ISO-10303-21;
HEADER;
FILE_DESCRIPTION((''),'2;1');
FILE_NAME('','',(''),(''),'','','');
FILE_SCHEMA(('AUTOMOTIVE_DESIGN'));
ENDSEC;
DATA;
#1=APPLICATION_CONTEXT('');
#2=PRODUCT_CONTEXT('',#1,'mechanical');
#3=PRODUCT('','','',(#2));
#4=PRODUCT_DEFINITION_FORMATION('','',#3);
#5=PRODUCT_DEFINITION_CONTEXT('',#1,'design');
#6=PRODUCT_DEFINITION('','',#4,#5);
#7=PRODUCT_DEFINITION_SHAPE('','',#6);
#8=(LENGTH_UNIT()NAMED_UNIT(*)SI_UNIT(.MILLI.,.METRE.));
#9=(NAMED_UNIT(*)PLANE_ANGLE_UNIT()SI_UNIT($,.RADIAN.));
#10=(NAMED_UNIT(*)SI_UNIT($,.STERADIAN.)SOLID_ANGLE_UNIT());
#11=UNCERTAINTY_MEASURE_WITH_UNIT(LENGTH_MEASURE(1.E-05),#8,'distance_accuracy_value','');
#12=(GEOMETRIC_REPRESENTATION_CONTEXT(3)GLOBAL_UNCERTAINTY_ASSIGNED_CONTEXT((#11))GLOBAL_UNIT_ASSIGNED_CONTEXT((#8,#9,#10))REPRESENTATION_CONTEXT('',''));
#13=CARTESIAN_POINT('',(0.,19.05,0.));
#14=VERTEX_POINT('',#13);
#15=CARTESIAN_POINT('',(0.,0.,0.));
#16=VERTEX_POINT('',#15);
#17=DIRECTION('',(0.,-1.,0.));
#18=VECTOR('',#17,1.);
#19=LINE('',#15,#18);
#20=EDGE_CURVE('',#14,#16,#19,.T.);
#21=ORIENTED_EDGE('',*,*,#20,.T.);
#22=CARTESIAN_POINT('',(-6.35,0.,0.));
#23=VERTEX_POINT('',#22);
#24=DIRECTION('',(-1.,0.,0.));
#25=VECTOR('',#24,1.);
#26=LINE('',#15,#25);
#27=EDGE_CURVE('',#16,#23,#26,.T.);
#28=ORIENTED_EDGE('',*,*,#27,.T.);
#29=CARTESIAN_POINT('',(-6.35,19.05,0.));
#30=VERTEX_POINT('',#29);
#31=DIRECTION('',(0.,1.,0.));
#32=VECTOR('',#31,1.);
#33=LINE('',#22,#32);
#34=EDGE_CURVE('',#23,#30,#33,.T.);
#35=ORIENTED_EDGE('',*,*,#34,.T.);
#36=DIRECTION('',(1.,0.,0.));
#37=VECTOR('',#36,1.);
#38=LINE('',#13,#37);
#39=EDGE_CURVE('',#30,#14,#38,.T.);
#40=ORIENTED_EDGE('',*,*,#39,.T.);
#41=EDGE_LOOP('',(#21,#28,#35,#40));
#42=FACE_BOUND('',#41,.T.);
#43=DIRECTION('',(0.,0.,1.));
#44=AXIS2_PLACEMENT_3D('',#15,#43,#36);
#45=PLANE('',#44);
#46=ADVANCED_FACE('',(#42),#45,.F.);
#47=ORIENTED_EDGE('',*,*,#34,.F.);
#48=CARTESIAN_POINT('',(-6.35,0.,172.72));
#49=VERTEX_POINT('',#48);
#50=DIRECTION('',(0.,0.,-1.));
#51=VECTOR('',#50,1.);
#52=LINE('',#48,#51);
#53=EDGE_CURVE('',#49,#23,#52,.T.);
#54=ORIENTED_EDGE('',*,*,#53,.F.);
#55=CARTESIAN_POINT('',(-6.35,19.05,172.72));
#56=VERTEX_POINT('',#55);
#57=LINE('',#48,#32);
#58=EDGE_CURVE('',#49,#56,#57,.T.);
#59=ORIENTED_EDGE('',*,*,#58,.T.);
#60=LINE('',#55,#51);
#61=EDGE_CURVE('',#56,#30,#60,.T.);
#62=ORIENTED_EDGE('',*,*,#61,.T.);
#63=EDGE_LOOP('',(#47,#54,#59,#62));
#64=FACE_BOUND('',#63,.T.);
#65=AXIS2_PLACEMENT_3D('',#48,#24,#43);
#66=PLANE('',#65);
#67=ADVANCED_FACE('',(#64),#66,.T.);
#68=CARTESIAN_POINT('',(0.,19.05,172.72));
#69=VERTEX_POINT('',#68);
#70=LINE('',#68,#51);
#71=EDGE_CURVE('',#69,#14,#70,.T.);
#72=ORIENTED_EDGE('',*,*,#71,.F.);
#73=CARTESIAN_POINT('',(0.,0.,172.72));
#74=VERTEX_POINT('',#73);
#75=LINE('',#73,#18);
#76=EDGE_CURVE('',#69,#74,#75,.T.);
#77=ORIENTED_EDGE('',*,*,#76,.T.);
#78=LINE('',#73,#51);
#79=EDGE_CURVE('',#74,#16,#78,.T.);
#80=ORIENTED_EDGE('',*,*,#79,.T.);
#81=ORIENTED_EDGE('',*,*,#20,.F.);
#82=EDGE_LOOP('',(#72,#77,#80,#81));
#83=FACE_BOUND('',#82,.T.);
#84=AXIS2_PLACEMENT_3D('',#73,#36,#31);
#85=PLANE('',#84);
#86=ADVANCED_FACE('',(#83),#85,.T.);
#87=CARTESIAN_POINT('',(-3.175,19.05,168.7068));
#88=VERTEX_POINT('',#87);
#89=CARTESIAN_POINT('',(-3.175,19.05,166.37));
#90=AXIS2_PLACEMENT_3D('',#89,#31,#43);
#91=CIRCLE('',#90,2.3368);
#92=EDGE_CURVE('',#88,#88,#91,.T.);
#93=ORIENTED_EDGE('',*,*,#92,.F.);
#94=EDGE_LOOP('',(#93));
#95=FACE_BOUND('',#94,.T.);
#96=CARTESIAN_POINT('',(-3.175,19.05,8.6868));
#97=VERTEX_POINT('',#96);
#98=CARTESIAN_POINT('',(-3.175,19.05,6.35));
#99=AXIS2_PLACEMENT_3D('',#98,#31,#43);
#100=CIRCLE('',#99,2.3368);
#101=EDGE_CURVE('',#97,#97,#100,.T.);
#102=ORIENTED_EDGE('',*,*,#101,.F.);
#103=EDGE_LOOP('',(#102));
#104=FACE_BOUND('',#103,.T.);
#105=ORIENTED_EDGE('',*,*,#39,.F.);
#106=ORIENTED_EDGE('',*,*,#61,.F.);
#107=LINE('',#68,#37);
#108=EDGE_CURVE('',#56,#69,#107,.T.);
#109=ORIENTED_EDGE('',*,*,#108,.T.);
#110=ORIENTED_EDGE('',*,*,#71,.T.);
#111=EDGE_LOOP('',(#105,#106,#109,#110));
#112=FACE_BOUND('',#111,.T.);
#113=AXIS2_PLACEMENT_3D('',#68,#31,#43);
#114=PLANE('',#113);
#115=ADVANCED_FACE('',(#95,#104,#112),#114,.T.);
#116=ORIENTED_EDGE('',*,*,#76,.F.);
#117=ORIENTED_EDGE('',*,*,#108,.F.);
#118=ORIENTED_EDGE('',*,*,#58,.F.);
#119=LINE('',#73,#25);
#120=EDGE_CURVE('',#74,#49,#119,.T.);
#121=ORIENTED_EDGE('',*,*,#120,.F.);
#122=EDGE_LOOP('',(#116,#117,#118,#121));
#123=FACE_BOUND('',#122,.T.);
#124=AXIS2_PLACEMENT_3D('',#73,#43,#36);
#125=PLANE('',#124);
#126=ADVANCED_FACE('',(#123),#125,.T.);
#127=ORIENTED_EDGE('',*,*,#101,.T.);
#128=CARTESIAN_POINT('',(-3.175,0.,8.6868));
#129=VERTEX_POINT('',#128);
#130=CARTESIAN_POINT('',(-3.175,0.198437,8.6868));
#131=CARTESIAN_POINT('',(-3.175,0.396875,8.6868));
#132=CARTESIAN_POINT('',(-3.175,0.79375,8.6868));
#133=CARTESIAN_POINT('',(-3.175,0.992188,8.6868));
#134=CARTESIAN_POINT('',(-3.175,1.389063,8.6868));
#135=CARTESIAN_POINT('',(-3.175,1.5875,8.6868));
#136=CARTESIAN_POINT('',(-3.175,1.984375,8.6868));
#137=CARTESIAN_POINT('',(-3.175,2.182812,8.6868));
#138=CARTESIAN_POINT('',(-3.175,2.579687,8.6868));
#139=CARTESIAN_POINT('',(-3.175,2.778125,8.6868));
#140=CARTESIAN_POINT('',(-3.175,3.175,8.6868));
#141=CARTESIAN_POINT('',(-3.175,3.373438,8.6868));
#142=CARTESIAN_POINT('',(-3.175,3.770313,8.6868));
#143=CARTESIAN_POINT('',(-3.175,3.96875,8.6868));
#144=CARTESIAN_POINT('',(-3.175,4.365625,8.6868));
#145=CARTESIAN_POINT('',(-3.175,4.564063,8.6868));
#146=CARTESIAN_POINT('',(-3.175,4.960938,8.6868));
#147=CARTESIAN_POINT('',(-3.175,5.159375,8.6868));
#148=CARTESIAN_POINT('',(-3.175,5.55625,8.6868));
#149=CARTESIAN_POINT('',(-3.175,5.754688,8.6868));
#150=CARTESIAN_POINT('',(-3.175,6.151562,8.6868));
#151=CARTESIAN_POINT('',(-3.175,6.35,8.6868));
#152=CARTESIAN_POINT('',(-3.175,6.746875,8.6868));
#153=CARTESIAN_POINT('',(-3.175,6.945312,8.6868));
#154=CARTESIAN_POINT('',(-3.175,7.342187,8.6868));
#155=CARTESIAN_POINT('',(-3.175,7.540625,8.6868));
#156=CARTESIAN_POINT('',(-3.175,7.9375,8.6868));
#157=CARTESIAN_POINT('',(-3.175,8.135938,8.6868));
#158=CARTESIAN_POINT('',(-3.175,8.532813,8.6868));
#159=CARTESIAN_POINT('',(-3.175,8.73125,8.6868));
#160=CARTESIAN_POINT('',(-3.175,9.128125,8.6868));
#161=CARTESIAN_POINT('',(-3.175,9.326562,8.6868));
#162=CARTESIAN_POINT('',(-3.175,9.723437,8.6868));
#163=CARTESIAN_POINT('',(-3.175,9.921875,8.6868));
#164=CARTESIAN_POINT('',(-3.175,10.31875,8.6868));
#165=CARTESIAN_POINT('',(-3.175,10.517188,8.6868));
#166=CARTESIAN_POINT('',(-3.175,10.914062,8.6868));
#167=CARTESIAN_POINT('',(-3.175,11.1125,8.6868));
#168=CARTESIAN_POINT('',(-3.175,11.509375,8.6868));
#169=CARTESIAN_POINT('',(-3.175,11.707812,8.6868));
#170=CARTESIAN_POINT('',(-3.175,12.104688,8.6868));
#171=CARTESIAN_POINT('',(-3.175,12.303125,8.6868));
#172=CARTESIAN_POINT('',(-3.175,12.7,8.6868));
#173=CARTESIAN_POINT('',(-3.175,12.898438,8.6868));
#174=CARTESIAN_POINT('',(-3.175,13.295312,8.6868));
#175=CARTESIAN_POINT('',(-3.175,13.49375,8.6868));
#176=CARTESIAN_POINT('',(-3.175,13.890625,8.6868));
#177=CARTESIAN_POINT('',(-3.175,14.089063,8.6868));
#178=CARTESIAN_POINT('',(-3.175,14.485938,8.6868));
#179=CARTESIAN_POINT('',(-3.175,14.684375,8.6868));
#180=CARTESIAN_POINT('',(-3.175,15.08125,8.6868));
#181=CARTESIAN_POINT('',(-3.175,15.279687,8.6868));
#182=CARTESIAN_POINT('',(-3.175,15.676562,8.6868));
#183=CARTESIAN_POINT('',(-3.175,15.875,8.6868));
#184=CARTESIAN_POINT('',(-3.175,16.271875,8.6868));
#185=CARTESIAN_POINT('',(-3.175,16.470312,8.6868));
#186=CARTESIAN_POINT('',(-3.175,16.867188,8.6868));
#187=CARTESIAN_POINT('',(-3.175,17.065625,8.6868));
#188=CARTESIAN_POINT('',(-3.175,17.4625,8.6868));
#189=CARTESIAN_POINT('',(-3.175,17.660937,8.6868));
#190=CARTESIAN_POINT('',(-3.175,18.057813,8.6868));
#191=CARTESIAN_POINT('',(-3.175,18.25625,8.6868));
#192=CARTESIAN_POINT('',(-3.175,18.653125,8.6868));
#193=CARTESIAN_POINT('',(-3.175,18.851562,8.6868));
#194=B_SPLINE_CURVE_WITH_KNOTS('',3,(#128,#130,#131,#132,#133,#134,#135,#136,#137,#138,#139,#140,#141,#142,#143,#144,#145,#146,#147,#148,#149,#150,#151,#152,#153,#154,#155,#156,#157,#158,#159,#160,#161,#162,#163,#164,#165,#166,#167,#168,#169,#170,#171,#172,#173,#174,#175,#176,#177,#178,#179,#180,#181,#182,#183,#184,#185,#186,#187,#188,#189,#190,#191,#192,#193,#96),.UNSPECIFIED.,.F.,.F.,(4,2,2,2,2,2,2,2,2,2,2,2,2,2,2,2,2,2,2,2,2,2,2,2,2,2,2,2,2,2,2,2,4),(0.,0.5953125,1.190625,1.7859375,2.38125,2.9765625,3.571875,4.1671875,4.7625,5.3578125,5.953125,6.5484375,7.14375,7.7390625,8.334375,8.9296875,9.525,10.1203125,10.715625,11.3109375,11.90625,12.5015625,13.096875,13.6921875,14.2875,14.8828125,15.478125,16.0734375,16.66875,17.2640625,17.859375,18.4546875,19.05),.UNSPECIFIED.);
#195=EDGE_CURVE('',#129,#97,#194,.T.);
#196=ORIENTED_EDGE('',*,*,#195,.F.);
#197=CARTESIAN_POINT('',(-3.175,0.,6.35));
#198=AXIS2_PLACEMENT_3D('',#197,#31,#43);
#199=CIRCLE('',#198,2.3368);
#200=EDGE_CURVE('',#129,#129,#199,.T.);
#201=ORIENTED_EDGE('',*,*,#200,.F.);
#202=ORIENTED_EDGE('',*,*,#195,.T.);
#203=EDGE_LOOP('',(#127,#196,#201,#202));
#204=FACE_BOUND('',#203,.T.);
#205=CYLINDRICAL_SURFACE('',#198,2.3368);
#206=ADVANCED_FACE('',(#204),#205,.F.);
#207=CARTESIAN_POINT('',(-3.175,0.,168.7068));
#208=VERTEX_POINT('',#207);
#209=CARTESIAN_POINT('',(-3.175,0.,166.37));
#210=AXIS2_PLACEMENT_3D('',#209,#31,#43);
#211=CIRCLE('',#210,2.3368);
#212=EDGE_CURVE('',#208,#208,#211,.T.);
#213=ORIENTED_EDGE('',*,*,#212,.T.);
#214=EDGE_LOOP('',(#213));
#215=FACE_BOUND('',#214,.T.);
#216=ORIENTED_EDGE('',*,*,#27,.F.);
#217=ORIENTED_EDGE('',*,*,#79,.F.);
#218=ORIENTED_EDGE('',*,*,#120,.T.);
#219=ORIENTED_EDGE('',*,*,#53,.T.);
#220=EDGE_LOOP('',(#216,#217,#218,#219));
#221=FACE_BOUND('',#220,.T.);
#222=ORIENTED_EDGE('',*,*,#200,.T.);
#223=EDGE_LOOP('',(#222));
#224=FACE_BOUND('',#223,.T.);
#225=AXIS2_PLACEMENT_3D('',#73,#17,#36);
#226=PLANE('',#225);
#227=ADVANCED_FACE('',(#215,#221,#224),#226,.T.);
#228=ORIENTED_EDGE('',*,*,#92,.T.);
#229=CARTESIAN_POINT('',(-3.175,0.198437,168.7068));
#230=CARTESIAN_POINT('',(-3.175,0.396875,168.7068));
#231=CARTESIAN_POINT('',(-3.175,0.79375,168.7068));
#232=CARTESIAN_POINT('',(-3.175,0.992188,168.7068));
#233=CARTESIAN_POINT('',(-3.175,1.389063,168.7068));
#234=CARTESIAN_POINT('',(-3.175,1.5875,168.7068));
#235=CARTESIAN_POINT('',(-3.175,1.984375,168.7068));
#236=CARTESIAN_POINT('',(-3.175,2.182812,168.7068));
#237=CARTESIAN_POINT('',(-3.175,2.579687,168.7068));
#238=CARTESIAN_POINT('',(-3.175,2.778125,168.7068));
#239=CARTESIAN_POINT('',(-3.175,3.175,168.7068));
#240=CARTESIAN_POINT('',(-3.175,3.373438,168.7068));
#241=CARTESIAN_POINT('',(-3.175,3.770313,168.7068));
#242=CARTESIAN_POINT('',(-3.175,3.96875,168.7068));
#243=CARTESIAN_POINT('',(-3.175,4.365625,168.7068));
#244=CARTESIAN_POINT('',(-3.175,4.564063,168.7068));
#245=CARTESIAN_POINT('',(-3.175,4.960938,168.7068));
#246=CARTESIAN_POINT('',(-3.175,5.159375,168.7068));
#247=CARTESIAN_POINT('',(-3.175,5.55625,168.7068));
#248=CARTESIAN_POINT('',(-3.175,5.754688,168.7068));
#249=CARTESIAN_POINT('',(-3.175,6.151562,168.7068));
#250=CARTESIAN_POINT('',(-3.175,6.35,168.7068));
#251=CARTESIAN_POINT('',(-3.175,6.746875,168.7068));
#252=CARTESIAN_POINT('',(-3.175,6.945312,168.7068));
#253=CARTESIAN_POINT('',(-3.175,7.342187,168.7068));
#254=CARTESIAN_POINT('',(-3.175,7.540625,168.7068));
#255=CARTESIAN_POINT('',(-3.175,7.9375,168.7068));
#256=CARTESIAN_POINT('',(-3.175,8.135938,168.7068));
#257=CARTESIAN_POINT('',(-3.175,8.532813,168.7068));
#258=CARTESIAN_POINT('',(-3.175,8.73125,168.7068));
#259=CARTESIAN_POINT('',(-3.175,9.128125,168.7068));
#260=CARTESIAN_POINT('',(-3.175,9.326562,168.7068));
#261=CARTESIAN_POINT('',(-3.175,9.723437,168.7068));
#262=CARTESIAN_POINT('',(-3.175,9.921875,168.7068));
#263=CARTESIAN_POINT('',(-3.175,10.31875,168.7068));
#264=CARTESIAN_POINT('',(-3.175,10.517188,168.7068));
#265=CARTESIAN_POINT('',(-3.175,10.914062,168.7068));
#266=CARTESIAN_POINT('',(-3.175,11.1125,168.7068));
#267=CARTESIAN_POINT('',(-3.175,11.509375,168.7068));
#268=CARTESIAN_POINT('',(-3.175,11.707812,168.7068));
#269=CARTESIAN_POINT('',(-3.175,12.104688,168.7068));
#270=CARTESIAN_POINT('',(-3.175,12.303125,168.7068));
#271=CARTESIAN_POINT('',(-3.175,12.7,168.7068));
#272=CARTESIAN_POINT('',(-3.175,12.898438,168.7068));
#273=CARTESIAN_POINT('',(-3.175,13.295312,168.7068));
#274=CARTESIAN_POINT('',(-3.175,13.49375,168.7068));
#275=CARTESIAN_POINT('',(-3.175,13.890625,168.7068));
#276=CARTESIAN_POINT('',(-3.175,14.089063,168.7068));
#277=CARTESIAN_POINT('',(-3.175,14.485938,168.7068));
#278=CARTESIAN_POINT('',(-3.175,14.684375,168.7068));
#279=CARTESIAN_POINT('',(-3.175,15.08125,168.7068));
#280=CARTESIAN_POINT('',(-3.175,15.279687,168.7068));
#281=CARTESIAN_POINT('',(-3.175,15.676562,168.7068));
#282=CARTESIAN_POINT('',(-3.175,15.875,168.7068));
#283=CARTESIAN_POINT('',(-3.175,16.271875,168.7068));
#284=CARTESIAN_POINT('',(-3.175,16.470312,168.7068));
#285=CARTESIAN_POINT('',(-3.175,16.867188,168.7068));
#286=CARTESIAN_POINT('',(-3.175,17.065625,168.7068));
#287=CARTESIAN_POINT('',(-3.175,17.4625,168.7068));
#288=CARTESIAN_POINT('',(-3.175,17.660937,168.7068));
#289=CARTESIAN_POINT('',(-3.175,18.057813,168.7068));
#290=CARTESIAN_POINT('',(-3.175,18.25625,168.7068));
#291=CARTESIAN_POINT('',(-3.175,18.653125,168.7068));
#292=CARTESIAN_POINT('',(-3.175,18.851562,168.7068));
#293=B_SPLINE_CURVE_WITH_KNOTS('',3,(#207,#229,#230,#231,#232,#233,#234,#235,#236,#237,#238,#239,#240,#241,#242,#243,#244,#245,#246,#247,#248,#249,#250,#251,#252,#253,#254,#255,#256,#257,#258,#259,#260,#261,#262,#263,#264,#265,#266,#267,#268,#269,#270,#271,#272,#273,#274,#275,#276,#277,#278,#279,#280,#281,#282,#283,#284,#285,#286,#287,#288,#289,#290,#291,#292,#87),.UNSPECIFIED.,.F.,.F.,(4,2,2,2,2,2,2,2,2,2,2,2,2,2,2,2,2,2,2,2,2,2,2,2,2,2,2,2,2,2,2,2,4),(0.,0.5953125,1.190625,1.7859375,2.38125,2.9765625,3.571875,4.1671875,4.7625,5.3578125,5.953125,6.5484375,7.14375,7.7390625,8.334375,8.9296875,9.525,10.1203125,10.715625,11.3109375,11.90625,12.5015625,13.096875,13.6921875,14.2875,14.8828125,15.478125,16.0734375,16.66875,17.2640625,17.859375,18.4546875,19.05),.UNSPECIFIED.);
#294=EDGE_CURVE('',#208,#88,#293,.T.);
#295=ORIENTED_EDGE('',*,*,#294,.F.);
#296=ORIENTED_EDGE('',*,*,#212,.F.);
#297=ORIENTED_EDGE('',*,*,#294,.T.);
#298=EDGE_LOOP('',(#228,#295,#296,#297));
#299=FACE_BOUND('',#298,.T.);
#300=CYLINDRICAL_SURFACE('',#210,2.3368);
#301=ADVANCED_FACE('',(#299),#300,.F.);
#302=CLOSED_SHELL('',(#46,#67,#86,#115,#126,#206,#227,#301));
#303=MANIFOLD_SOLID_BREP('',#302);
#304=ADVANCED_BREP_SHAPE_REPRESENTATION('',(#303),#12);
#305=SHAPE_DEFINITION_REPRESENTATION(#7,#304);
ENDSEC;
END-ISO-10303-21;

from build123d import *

# Parameters (mm, degrees)
SKETCH1_W           = 6.35
SKETCH1_H           = 19.05
BOSS_EXTRUDE1_DEPTH = 172.72
SKETCH2_R           = 2.3368
CUT_EXTRUDE4_DEPTH  = 174.883361481


with BuildPart() as part:
    # Sketch1 → Boss-Extrude1 (new body)
    with BuildSketch(Plane.XY):
        with Locations((-3.175, 9.525)):
            Rectangle(SKETCH1_W, SKETCH1_H)
    extrude(amount=BOSS_EXTRUDE1_DEPTH)

    # Sketch2 → Cut-Extrude4 (cut, through all)
    with BuildSketch(Plane(origin=(0, 19.05, 0), x_dir=(1, 0, 0), z_dir=(0, 1, 0))):
        with Locations(Location((-3.175, -166.37, 0), (0, 0, 270))):
            Circle(SKETCH2_R)
        with Locations(Location((-3.175, -6.35, 0), (0, 0, 270))):
            Circle(SKETCH2_R)
    extrude(amount=-CUT_EXTRUDE4_DEPTH, mode=Mode.SUBTRACT)


solid = part.part
